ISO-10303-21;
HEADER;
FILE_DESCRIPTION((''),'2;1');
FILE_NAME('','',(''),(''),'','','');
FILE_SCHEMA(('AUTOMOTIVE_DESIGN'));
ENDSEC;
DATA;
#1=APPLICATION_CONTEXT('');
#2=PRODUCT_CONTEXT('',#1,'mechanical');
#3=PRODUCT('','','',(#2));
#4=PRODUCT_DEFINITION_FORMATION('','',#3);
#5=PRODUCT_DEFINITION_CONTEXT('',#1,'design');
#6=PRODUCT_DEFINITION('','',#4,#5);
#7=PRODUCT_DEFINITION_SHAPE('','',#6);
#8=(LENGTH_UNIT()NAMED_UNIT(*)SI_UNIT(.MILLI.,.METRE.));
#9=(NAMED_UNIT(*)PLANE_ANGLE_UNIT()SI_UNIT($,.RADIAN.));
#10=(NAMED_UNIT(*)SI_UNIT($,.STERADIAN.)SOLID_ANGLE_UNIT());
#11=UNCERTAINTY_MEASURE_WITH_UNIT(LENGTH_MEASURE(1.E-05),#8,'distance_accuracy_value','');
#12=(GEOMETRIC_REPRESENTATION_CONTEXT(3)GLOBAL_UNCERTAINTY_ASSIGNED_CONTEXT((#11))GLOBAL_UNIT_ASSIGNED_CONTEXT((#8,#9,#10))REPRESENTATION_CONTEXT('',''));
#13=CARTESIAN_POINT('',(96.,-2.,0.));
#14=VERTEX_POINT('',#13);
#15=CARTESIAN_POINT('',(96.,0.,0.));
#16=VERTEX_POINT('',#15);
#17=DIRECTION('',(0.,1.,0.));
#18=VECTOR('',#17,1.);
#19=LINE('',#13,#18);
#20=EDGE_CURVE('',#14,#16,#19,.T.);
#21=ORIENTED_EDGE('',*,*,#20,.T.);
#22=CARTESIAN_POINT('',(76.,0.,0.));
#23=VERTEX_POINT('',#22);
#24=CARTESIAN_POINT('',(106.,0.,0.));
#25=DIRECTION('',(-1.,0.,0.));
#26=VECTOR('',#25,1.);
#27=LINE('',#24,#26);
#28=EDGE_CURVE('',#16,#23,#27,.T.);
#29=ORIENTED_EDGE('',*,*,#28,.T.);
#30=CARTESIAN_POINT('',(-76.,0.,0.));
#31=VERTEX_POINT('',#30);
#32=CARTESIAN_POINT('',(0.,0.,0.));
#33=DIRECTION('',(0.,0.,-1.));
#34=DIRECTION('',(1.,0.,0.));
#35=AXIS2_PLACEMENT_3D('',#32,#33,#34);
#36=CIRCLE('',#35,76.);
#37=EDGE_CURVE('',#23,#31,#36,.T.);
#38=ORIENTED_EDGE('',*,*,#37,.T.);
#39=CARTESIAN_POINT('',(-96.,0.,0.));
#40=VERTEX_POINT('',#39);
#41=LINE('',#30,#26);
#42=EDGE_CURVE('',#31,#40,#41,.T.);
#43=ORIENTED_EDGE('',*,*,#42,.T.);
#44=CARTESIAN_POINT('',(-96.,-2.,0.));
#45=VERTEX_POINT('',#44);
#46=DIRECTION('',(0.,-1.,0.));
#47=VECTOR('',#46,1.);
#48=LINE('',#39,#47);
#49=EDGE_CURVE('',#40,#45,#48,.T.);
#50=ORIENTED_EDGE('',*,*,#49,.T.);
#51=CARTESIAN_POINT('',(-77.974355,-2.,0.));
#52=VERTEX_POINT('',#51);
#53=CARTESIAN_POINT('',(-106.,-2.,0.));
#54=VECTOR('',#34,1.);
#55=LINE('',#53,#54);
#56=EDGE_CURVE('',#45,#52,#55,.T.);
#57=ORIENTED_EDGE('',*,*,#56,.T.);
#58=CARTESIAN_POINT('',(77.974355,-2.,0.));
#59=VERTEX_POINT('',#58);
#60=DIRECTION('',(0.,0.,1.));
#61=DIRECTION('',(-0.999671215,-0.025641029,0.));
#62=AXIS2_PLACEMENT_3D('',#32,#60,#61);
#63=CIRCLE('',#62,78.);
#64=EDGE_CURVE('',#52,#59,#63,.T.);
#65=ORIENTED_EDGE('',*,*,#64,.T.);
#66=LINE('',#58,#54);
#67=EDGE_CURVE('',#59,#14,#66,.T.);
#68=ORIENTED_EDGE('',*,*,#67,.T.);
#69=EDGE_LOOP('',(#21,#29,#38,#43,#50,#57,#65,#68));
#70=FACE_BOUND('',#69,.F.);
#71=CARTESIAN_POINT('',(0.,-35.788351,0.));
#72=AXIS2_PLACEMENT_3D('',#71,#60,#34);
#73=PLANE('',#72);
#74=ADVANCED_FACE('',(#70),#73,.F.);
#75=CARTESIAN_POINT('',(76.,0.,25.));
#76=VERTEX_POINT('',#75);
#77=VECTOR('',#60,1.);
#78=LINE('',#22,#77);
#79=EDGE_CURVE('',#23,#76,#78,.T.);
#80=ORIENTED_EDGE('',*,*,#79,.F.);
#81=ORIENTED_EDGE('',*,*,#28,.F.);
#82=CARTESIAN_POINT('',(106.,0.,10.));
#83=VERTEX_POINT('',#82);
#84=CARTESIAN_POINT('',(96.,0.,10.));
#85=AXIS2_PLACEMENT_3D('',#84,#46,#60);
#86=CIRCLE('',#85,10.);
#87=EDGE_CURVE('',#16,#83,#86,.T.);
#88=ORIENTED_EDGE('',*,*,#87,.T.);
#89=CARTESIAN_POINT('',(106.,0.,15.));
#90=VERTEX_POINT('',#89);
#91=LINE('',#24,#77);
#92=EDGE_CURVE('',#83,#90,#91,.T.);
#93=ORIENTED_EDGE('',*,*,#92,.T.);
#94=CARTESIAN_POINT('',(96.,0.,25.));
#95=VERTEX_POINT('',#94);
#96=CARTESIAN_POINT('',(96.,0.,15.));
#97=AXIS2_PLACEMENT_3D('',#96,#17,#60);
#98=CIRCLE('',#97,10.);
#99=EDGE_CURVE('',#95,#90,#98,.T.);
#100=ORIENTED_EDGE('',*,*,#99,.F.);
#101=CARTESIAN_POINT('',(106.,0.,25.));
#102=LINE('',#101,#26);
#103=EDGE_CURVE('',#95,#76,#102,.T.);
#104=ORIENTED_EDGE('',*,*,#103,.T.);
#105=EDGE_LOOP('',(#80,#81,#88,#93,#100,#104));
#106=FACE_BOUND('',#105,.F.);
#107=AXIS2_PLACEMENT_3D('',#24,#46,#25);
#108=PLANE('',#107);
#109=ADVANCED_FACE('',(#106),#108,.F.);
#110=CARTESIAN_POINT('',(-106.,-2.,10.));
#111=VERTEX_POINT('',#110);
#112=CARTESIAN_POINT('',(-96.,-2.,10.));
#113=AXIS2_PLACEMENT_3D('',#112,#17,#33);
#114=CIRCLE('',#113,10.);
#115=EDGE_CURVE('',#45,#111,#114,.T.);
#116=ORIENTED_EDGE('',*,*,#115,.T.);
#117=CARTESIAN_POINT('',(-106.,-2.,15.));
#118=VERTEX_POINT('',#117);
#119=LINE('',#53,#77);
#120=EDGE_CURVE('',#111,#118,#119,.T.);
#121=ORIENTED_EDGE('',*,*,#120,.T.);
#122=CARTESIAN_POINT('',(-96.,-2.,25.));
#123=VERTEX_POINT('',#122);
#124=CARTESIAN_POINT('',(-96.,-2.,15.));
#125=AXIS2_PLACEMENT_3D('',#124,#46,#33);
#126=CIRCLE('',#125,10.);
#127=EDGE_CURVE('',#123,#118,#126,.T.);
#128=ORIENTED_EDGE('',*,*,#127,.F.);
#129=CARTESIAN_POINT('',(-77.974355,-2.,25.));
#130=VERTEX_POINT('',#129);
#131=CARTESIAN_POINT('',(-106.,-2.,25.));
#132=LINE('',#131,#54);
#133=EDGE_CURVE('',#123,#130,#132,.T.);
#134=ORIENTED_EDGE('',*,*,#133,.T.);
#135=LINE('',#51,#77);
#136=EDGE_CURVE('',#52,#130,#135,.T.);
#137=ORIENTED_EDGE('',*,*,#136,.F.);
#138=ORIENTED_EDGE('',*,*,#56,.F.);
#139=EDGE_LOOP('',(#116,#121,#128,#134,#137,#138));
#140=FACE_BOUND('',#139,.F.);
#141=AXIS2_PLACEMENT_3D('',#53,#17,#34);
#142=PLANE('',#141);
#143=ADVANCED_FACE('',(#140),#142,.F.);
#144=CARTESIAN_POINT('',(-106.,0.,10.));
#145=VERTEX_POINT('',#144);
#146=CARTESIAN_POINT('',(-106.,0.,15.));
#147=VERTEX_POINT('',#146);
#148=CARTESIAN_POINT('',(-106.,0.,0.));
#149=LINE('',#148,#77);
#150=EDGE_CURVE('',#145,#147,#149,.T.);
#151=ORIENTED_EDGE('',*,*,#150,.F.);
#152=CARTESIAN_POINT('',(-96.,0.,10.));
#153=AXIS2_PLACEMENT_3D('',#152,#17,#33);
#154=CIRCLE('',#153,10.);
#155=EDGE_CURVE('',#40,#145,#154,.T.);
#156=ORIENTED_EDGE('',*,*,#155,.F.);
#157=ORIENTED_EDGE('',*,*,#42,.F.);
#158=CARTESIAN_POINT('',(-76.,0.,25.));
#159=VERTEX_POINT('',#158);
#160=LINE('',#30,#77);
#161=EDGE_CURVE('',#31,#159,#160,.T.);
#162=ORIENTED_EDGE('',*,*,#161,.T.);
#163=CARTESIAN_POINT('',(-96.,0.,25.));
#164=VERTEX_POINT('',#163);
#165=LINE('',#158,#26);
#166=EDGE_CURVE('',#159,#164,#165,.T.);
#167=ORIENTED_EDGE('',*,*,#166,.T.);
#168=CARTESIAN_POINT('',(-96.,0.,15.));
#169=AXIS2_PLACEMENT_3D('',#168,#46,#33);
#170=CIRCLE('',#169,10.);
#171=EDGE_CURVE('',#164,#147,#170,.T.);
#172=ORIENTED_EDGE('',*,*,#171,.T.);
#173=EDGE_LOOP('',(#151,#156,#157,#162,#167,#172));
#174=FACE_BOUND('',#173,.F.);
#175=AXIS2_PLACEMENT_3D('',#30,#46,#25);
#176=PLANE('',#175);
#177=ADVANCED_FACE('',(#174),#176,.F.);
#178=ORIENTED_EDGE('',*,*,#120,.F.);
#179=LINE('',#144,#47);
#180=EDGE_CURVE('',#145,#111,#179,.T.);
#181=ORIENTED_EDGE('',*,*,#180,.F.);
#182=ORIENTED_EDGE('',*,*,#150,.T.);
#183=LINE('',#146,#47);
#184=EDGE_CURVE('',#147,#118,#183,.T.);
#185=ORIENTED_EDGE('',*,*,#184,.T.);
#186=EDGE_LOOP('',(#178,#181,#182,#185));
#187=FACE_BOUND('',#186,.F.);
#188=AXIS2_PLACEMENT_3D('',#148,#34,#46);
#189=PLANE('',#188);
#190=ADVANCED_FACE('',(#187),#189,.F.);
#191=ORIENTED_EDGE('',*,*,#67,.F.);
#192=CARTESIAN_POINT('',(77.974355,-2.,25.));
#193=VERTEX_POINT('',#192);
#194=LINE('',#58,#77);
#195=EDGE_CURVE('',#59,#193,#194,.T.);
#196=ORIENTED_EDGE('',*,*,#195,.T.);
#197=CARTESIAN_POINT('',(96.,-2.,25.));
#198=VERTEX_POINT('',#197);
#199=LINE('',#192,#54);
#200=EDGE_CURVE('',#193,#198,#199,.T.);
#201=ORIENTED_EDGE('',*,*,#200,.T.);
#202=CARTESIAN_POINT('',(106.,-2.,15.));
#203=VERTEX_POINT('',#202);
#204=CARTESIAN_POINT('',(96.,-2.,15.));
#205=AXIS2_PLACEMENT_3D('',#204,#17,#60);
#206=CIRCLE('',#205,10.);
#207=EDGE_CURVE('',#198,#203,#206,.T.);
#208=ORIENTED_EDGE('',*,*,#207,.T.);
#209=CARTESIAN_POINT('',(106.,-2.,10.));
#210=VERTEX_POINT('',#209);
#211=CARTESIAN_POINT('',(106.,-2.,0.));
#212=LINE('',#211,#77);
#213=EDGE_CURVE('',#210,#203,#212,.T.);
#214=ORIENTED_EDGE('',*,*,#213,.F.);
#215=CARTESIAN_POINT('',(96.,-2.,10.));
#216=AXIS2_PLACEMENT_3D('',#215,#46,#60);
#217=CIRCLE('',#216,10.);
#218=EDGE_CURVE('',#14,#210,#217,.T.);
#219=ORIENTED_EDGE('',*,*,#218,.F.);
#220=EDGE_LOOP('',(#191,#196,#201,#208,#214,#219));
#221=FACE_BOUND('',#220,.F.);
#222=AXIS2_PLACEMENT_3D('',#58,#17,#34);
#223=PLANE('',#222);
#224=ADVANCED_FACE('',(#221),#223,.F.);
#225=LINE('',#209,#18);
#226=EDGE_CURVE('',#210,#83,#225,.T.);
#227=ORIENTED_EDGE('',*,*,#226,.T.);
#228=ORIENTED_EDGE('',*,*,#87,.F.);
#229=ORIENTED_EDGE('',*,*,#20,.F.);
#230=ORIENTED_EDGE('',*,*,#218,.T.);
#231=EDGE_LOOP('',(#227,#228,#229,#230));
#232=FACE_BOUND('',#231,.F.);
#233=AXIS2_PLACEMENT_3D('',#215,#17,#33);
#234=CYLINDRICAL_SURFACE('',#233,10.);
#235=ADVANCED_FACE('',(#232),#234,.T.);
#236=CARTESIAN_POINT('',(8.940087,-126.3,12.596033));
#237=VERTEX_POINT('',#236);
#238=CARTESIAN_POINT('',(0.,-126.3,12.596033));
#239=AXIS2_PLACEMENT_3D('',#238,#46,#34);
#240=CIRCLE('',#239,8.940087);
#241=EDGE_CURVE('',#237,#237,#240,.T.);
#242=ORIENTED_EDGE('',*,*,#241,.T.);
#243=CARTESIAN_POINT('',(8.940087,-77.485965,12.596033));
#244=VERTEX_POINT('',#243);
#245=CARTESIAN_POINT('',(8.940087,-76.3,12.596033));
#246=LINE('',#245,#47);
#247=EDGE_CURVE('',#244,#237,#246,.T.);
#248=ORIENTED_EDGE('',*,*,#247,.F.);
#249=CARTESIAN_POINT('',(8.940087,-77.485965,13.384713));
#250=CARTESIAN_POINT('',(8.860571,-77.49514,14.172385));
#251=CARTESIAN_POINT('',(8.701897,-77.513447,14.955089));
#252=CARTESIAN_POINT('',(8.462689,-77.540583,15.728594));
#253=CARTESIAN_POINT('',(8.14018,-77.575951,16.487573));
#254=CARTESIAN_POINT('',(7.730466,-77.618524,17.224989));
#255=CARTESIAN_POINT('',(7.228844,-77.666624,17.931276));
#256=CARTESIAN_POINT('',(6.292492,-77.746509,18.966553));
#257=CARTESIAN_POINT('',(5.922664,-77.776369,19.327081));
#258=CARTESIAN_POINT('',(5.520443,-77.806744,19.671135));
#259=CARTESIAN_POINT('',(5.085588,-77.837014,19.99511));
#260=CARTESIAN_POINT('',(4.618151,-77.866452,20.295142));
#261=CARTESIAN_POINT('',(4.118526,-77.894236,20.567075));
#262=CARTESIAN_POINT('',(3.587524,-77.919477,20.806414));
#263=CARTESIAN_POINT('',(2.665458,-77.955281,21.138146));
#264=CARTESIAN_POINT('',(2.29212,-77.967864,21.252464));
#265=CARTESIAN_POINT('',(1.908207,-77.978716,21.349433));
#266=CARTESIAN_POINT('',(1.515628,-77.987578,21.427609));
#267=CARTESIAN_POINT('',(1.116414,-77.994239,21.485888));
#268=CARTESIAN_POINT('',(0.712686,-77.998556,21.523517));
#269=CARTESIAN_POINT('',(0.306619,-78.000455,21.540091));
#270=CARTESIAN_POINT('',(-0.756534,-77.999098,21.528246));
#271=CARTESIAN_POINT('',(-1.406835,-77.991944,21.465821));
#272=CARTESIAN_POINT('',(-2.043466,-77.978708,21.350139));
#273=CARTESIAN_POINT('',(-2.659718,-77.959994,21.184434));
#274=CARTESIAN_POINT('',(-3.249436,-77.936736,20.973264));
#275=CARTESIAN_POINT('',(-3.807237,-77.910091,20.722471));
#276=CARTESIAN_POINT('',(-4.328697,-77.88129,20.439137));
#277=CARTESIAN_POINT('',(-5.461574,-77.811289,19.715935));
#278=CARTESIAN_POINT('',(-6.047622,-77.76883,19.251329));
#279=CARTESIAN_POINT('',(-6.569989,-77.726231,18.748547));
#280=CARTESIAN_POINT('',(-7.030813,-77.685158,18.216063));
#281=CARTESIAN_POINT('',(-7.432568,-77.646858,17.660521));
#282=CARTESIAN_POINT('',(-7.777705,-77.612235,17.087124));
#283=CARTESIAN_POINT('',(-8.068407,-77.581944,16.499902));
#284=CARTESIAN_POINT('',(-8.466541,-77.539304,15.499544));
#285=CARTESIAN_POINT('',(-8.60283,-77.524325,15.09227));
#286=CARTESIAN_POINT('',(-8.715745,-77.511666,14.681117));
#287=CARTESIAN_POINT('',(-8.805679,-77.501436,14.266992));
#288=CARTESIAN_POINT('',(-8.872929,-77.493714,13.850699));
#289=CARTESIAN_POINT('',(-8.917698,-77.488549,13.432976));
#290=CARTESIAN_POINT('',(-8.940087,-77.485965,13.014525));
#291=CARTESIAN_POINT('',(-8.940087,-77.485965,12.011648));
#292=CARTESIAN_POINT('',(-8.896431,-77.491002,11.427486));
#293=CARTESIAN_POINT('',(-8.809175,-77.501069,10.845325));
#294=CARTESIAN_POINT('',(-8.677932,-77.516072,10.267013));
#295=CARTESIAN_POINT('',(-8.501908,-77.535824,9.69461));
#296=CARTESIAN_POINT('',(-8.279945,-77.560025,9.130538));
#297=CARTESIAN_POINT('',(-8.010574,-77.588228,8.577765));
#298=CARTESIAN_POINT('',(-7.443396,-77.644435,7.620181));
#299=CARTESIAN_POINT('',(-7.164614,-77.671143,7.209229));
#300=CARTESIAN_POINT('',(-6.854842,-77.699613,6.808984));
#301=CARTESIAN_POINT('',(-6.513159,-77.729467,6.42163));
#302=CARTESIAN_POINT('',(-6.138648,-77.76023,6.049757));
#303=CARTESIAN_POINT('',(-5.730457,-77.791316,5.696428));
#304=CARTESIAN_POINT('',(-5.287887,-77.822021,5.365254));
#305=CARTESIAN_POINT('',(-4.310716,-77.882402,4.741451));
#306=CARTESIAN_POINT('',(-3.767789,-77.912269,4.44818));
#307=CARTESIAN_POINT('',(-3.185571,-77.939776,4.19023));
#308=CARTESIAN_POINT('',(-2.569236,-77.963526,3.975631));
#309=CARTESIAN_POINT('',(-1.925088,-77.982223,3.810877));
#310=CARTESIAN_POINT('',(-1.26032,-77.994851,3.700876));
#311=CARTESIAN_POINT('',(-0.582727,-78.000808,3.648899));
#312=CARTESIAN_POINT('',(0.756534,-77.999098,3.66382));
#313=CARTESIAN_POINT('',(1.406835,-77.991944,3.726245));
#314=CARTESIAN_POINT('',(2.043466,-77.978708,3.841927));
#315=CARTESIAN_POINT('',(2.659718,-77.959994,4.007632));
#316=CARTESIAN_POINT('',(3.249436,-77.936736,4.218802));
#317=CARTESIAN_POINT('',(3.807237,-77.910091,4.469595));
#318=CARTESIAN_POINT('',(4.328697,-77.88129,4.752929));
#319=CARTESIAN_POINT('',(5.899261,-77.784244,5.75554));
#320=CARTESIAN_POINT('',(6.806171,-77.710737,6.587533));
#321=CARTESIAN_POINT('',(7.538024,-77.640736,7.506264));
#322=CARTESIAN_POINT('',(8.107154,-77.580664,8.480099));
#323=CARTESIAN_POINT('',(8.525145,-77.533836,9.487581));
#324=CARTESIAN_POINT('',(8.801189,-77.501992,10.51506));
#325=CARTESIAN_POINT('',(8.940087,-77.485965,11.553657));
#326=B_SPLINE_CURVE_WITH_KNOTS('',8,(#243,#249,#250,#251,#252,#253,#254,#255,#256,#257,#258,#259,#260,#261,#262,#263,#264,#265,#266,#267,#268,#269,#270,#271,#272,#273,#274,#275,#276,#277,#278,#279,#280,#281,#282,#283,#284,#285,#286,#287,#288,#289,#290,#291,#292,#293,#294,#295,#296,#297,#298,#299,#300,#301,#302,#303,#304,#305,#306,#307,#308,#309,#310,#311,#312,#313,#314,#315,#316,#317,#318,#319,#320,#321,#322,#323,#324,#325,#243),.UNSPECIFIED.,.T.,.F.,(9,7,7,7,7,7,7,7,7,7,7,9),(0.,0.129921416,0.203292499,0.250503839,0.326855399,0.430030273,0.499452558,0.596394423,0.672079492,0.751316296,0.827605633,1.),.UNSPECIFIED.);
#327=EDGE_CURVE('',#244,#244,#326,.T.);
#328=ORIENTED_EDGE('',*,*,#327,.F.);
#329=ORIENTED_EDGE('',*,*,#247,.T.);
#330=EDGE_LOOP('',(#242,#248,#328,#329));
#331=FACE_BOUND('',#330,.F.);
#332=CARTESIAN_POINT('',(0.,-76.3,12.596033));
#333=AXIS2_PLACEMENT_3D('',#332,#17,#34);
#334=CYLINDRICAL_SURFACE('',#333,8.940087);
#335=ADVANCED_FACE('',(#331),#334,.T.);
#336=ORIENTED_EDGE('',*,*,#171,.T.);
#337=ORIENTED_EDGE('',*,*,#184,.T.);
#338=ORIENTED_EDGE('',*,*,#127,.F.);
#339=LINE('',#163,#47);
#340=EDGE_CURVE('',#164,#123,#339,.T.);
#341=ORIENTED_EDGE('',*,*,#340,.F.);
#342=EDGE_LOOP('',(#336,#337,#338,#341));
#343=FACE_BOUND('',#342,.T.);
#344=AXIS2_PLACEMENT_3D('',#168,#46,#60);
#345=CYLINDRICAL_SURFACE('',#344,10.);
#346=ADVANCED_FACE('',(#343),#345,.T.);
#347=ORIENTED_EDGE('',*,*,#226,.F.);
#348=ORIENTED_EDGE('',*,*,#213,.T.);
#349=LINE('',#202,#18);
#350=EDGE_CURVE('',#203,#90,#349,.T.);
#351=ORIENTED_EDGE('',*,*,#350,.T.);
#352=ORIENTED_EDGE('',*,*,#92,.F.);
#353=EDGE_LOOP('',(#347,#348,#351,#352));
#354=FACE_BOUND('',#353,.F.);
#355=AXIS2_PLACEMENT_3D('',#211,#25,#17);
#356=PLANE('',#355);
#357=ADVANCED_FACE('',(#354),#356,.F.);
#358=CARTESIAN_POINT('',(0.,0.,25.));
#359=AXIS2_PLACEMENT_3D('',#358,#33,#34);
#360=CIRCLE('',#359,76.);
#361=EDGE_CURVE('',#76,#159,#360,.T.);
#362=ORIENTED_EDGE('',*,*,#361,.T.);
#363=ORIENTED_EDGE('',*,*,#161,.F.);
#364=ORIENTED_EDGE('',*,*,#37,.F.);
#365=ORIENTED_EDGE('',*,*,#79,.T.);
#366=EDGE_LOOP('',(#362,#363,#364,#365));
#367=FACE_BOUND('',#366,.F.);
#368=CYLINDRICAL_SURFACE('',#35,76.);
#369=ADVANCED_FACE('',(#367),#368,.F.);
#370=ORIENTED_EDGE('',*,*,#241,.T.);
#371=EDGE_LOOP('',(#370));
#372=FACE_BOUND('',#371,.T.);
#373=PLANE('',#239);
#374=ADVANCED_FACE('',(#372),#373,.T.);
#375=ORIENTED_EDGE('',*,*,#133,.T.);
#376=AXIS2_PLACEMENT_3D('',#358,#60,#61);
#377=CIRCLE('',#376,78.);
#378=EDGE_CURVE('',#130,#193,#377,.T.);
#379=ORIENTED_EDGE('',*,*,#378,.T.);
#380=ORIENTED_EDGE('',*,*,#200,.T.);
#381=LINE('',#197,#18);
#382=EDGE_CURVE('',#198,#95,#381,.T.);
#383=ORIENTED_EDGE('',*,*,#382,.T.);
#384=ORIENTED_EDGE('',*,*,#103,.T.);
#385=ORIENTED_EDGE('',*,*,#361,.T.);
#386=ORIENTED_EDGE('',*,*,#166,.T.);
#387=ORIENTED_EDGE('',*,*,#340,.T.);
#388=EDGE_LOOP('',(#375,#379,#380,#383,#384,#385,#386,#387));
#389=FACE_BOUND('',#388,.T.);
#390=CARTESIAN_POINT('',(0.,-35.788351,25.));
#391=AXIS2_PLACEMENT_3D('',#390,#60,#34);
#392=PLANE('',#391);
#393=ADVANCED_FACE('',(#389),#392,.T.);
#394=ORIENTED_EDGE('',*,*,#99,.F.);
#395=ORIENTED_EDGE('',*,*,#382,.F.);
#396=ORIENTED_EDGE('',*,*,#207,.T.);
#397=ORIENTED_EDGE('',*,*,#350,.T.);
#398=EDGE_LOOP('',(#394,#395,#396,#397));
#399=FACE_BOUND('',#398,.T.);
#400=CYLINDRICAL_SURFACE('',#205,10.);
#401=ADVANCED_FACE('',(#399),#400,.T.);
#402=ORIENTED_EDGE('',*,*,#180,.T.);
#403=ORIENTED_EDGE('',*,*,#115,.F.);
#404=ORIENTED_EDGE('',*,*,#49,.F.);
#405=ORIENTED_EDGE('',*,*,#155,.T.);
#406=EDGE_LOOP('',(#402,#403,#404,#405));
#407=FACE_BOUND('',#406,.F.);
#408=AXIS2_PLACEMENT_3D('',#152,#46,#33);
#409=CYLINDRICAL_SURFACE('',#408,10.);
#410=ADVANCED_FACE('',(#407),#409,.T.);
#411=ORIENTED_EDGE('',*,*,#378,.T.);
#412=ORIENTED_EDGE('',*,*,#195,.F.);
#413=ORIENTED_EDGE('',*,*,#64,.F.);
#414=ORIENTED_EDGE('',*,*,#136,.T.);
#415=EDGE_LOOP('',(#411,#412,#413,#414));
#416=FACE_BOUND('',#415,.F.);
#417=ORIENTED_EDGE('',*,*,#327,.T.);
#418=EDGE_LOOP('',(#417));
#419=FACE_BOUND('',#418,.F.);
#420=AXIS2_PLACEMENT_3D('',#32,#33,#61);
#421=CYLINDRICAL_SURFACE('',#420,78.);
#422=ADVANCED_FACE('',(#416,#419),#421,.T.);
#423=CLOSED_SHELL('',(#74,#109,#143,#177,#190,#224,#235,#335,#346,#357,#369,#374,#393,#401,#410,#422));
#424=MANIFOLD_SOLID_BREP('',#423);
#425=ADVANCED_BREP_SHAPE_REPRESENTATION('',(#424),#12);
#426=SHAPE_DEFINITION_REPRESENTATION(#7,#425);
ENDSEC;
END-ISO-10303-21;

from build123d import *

# Parameters (mm, degrees)
F1_DEPTH = 25
F3_R     = 8.940087
F4_DEPTH = 50
F5_R     = 10


with BuildPart() as f1:
    # F0 (on Top) → F1 (new body)
    with BuildSketch(Plane.XY):
        with BuildLine():
            ThreePointArc((76, 0), (0, -76), (-76, 0))
            Line((-76, 0), (-106, 0))
            Line((-106, 0), (-106, -2))
            Line((-106, -2), (-77.974355, -2))
            ThreePointArc((-77.974355, -2), (0, -78), (77.974355, -2))
            Line((77.974355, -2), (106, -2))
            Line((106, -2), (106, 0))
            Line((106, 0), (76, 0))
        make_face()
    extrude(amount=F1_DEPTH)

    # F3 (on offset) → F4 (join)
    with BuildSketch(Plane.XZ.offset(76.3)):
        with Locations((0, 12.596033)):
            Circle(F3_R)
    extrude(amount=F4_DEPTH)

    # F5
    f5_edges = [f1.edges().sort_by_distance(p)[0] for p in [
        (106, -1, 25),
        (106, -1, 0),
        (-106, -1, 25),
        (-106, -1, 0),
    ]]
    fillet(f5_edges, radius=F5_R)


solid = f1.part
